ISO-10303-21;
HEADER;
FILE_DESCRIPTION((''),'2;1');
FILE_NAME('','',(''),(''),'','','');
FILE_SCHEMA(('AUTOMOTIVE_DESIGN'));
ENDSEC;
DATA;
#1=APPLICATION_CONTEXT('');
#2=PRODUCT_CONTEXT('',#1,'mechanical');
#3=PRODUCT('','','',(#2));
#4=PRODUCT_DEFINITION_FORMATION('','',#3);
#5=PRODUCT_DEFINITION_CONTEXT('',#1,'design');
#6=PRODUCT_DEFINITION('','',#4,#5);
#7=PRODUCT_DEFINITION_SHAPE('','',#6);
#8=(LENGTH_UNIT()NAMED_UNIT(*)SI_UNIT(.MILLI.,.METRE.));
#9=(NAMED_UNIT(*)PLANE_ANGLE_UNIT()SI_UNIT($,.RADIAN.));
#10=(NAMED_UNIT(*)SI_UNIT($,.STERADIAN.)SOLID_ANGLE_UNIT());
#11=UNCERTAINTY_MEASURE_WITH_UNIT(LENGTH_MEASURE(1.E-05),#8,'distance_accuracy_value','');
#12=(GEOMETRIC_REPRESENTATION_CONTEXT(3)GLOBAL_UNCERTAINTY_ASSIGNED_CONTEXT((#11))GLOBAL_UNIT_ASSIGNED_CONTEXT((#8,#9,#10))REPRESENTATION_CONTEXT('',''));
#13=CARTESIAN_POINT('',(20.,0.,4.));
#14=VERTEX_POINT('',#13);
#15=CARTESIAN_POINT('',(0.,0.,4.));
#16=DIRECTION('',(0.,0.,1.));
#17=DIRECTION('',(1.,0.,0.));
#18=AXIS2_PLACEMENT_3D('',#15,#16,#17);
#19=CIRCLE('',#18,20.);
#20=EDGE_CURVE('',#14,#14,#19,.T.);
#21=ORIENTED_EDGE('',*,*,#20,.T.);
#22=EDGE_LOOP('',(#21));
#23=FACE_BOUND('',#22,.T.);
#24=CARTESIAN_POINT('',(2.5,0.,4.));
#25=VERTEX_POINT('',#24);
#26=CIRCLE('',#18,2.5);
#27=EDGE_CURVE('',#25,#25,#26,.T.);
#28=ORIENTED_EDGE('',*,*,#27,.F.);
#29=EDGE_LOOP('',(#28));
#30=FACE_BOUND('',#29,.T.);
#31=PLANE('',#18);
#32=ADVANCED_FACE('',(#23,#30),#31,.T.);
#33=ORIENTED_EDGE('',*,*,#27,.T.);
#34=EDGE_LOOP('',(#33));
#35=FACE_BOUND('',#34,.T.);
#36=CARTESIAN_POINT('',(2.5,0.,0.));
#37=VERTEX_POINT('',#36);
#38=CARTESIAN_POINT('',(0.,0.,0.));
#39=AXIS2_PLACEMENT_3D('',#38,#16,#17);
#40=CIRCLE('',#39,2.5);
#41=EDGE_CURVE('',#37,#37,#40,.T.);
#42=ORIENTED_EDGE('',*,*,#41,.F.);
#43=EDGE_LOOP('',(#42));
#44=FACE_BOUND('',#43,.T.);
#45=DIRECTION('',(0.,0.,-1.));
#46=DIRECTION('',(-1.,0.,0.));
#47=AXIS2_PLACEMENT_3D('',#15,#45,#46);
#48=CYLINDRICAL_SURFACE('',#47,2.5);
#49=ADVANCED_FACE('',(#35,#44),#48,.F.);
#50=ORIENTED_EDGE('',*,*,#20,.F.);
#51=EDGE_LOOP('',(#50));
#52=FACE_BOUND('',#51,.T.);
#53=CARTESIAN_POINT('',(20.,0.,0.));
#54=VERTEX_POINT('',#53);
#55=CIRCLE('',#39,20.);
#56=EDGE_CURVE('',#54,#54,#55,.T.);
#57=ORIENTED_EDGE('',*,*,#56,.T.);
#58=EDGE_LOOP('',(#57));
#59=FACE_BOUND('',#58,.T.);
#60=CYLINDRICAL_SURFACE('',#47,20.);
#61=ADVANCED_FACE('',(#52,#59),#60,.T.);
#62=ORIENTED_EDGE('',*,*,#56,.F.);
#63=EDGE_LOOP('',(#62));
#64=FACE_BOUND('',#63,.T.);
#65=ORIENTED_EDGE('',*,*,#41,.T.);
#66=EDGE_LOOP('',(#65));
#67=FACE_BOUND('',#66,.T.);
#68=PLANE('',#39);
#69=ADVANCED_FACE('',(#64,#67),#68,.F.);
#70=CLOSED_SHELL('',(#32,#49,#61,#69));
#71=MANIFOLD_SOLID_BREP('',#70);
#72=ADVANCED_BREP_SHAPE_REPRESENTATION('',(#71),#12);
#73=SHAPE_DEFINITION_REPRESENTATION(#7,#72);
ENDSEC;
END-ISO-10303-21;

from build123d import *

# Parameters (mm, degrees)
ESBO_O1_R                = 20
ESBO_O1_R_2              = 2.5
RESSALTO_EXTRUS_O1_DEPTH = 4


with BuildPart() as part:
    # Esboço1 → Ressalto-extrusão1 (new body)
    with BuildSketch(Plane.XY):
        Circle(ESBO_O1_R)
        Circle(ESBO_O1_R_2, mode=Mode.SUBTRACT)
    extrude(amount=RESSALTO_EXTRUS_O1_DEPTH)


solid = part.part
